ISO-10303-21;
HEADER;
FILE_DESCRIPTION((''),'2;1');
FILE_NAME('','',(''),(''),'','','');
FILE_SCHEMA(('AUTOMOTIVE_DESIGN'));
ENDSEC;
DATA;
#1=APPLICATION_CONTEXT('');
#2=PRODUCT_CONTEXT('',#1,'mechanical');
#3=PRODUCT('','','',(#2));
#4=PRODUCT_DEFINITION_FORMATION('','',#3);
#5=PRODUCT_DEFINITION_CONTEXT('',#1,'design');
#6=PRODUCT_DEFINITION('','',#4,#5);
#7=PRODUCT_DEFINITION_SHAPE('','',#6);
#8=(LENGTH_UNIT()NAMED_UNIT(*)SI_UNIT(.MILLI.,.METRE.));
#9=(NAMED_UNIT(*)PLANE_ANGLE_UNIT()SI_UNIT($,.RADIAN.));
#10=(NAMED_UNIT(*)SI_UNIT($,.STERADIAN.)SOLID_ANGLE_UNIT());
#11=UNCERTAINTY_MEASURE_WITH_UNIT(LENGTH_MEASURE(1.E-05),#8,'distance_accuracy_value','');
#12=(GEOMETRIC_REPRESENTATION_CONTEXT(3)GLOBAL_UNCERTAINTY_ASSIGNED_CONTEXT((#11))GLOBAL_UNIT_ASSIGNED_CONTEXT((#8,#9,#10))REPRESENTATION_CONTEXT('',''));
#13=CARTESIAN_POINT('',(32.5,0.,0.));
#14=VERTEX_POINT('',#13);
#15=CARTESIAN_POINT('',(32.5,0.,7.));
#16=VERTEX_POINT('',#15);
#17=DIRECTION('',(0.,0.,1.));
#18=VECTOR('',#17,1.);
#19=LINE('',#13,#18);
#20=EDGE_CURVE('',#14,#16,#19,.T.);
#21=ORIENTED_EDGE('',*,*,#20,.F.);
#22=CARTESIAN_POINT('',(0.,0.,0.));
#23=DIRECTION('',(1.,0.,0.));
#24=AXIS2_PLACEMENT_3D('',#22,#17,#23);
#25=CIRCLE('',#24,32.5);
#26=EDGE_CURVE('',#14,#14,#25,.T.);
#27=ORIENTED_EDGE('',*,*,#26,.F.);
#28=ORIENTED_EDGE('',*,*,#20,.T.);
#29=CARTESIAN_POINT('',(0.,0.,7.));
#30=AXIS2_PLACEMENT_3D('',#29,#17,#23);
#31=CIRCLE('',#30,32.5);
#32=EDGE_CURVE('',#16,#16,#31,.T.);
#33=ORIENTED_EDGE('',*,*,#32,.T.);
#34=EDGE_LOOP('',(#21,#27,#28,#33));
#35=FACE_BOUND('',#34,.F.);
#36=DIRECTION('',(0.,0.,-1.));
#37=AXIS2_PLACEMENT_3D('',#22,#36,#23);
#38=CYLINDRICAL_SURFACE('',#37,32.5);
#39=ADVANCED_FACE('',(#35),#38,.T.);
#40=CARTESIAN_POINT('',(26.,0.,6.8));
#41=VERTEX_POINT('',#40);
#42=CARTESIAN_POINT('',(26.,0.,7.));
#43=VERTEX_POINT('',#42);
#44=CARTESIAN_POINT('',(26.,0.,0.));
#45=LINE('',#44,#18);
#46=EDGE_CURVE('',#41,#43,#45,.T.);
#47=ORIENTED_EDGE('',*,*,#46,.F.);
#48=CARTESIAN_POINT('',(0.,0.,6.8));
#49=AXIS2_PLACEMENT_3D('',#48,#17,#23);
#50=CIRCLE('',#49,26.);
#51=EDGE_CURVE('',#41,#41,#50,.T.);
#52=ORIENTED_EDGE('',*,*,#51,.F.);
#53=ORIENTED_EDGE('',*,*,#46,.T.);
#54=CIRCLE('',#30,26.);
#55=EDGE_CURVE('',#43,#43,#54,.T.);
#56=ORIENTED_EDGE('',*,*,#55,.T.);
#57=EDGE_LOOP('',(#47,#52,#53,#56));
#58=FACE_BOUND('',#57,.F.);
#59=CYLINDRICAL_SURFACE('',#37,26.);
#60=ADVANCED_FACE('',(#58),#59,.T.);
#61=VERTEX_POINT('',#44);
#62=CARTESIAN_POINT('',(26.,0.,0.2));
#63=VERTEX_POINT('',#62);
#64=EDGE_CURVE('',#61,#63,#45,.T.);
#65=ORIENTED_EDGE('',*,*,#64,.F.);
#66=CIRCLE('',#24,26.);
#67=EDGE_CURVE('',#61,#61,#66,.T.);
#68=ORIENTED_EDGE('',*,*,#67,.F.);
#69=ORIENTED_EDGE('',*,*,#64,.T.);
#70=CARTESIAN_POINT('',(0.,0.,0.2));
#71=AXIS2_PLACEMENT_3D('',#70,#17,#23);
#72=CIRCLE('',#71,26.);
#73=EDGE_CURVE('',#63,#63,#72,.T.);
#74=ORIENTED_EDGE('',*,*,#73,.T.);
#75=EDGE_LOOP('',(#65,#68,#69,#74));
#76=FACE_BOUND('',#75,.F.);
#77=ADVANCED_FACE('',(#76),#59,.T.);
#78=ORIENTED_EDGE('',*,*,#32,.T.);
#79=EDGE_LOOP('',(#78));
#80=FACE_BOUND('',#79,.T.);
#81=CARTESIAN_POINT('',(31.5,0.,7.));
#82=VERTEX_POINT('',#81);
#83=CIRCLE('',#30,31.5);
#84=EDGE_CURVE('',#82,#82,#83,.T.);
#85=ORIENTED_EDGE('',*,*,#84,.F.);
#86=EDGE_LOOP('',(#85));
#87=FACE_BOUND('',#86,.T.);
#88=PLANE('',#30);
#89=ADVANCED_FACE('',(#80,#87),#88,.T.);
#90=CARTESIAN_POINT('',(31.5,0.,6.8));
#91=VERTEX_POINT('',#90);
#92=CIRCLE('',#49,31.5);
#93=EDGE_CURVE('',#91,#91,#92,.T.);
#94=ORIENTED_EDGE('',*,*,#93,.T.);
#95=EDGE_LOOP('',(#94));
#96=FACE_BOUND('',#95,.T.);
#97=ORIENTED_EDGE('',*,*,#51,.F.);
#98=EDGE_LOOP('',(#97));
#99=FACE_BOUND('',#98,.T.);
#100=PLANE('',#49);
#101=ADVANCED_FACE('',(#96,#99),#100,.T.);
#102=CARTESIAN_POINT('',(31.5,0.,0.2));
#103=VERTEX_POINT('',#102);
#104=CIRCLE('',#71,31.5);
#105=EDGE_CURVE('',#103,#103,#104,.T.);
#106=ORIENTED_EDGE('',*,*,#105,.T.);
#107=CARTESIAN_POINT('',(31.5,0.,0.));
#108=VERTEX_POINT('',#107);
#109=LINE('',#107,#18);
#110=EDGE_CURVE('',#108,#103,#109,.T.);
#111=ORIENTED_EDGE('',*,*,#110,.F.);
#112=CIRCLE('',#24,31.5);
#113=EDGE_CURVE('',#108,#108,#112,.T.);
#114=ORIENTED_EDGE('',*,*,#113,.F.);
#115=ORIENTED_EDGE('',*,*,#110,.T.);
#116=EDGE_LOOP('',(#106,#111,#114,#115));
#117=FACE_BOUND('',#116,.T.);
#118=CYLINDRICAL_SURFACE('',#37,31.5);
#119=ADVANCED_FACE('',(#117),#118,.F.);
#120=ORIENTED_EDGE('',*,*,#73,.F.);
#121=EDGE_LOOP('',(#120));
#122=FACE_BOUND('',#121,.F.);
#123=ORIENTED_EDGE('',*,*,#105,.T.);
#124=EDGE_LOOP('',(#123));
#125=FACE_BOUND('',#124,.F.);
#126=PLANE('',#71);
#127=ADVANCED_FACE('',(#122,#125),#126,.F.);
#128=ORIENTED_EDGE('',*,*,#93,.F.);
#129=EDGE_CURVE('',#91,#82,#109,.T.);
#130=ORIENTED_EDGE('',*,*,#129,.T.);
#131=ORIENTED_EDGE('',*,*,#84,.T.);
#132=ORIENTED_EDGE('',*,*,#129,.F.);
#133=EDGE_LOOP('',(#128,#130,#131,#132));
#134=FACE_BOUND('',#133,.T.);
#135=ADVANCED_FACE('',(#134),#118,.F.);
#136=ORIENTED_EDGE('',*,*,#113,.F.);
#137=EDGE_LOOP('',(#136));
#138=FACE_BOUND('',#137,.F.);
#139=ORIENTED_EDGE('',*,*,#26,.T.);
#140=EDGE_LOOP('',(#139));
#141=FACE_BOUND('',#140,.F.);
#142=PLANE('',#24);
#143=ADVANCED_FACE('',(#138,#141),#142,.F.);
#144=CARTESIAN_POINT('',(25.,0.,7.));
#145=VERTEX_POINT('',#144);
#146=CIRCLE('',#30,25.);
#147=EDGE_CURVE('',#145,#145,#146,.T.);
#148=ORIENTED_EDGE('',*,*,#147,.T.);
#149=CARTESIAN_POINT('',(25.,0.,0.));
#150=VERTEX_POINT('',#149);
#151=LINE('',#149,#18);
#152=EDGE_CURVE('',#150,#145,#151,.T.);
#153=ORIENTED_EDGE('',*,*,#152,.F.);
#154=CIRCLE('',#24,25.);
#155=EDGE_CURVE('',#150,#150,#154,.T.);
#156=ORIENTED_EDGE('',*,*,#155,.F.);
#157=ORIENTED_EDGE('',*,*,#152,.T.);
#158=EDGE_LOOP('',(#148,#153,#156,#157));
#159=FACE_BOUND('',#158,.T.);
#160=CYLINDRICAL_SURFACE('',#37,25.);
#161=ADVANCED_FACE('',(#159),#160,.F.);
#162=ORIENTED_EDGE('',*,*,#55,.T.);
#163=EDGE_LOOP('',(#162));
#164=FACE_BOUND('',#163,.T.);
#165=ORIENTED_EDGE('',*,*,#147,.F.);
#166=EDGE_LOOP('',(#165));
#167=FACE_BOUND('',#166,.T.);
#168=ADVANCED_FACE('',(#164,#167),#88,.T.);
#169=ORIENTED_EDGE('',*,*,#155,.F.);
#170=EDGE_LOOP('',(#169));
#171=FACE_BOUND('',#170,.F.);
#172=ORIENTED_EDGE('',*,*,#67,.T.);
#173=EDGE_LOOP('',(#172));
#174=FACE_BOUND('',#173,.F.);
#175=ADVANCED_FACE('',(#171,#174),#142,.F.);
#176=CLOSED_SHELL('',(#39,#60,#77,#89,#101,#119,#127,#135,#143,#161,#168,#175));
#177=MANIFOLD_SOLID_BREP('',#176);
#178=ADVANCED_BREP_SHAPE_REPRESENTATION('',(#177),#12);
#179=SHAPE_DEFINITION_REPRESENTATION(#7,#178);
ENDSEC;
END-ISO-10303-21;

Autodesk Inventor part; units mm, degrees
ref_plane "YZ Plane" through (0, 0, 0) normal (1, 0, 0) x (0, 1, 0)
ref_plane "XZ Plane" through (0, 0, 0) normal (0, 1, 0) x (-1, 0, 0)
sketch "Sketch1" plane through (0, 0, 0) normal (0, 0, 1) x (1, 0, 0)
  circle A0 centre (0, 0) radius 32.5
  circle A1 centre (0, 0) radius 25
  circle A2 centre (0, 0) radius 26
  circle A3 centre (0, 0) radius 31.5
  dimension "d0" = 65
  dimension "d1" = 50
  dimension "d2" = 1
  dimension "d3" = 1
extrude "Extrusion1" add sketch "Sketch1" along normal blind 7
ref_plane "Work Plane1" through (0, 0, 0.2) normal (0, 0, 1) x (1, 0, 0)
sketch "Sketch2" plane through (0, 0, 0.2) normal (0, 0, 1) x (1, 0, 0)
  circle A0 centre (0, 0) radius 31.5 projected
  circle A1 centre (0, 0) radius 32.5 projected
  circle A2 centre (0, 0) radius 25 projected
  circle A3 centre (0, 0) radius 26 projected
extrude "Extrusion2" add sketch "Sketch2" along normal blind 6.6 contours A0
properties part number "65x50x7 bearing"
